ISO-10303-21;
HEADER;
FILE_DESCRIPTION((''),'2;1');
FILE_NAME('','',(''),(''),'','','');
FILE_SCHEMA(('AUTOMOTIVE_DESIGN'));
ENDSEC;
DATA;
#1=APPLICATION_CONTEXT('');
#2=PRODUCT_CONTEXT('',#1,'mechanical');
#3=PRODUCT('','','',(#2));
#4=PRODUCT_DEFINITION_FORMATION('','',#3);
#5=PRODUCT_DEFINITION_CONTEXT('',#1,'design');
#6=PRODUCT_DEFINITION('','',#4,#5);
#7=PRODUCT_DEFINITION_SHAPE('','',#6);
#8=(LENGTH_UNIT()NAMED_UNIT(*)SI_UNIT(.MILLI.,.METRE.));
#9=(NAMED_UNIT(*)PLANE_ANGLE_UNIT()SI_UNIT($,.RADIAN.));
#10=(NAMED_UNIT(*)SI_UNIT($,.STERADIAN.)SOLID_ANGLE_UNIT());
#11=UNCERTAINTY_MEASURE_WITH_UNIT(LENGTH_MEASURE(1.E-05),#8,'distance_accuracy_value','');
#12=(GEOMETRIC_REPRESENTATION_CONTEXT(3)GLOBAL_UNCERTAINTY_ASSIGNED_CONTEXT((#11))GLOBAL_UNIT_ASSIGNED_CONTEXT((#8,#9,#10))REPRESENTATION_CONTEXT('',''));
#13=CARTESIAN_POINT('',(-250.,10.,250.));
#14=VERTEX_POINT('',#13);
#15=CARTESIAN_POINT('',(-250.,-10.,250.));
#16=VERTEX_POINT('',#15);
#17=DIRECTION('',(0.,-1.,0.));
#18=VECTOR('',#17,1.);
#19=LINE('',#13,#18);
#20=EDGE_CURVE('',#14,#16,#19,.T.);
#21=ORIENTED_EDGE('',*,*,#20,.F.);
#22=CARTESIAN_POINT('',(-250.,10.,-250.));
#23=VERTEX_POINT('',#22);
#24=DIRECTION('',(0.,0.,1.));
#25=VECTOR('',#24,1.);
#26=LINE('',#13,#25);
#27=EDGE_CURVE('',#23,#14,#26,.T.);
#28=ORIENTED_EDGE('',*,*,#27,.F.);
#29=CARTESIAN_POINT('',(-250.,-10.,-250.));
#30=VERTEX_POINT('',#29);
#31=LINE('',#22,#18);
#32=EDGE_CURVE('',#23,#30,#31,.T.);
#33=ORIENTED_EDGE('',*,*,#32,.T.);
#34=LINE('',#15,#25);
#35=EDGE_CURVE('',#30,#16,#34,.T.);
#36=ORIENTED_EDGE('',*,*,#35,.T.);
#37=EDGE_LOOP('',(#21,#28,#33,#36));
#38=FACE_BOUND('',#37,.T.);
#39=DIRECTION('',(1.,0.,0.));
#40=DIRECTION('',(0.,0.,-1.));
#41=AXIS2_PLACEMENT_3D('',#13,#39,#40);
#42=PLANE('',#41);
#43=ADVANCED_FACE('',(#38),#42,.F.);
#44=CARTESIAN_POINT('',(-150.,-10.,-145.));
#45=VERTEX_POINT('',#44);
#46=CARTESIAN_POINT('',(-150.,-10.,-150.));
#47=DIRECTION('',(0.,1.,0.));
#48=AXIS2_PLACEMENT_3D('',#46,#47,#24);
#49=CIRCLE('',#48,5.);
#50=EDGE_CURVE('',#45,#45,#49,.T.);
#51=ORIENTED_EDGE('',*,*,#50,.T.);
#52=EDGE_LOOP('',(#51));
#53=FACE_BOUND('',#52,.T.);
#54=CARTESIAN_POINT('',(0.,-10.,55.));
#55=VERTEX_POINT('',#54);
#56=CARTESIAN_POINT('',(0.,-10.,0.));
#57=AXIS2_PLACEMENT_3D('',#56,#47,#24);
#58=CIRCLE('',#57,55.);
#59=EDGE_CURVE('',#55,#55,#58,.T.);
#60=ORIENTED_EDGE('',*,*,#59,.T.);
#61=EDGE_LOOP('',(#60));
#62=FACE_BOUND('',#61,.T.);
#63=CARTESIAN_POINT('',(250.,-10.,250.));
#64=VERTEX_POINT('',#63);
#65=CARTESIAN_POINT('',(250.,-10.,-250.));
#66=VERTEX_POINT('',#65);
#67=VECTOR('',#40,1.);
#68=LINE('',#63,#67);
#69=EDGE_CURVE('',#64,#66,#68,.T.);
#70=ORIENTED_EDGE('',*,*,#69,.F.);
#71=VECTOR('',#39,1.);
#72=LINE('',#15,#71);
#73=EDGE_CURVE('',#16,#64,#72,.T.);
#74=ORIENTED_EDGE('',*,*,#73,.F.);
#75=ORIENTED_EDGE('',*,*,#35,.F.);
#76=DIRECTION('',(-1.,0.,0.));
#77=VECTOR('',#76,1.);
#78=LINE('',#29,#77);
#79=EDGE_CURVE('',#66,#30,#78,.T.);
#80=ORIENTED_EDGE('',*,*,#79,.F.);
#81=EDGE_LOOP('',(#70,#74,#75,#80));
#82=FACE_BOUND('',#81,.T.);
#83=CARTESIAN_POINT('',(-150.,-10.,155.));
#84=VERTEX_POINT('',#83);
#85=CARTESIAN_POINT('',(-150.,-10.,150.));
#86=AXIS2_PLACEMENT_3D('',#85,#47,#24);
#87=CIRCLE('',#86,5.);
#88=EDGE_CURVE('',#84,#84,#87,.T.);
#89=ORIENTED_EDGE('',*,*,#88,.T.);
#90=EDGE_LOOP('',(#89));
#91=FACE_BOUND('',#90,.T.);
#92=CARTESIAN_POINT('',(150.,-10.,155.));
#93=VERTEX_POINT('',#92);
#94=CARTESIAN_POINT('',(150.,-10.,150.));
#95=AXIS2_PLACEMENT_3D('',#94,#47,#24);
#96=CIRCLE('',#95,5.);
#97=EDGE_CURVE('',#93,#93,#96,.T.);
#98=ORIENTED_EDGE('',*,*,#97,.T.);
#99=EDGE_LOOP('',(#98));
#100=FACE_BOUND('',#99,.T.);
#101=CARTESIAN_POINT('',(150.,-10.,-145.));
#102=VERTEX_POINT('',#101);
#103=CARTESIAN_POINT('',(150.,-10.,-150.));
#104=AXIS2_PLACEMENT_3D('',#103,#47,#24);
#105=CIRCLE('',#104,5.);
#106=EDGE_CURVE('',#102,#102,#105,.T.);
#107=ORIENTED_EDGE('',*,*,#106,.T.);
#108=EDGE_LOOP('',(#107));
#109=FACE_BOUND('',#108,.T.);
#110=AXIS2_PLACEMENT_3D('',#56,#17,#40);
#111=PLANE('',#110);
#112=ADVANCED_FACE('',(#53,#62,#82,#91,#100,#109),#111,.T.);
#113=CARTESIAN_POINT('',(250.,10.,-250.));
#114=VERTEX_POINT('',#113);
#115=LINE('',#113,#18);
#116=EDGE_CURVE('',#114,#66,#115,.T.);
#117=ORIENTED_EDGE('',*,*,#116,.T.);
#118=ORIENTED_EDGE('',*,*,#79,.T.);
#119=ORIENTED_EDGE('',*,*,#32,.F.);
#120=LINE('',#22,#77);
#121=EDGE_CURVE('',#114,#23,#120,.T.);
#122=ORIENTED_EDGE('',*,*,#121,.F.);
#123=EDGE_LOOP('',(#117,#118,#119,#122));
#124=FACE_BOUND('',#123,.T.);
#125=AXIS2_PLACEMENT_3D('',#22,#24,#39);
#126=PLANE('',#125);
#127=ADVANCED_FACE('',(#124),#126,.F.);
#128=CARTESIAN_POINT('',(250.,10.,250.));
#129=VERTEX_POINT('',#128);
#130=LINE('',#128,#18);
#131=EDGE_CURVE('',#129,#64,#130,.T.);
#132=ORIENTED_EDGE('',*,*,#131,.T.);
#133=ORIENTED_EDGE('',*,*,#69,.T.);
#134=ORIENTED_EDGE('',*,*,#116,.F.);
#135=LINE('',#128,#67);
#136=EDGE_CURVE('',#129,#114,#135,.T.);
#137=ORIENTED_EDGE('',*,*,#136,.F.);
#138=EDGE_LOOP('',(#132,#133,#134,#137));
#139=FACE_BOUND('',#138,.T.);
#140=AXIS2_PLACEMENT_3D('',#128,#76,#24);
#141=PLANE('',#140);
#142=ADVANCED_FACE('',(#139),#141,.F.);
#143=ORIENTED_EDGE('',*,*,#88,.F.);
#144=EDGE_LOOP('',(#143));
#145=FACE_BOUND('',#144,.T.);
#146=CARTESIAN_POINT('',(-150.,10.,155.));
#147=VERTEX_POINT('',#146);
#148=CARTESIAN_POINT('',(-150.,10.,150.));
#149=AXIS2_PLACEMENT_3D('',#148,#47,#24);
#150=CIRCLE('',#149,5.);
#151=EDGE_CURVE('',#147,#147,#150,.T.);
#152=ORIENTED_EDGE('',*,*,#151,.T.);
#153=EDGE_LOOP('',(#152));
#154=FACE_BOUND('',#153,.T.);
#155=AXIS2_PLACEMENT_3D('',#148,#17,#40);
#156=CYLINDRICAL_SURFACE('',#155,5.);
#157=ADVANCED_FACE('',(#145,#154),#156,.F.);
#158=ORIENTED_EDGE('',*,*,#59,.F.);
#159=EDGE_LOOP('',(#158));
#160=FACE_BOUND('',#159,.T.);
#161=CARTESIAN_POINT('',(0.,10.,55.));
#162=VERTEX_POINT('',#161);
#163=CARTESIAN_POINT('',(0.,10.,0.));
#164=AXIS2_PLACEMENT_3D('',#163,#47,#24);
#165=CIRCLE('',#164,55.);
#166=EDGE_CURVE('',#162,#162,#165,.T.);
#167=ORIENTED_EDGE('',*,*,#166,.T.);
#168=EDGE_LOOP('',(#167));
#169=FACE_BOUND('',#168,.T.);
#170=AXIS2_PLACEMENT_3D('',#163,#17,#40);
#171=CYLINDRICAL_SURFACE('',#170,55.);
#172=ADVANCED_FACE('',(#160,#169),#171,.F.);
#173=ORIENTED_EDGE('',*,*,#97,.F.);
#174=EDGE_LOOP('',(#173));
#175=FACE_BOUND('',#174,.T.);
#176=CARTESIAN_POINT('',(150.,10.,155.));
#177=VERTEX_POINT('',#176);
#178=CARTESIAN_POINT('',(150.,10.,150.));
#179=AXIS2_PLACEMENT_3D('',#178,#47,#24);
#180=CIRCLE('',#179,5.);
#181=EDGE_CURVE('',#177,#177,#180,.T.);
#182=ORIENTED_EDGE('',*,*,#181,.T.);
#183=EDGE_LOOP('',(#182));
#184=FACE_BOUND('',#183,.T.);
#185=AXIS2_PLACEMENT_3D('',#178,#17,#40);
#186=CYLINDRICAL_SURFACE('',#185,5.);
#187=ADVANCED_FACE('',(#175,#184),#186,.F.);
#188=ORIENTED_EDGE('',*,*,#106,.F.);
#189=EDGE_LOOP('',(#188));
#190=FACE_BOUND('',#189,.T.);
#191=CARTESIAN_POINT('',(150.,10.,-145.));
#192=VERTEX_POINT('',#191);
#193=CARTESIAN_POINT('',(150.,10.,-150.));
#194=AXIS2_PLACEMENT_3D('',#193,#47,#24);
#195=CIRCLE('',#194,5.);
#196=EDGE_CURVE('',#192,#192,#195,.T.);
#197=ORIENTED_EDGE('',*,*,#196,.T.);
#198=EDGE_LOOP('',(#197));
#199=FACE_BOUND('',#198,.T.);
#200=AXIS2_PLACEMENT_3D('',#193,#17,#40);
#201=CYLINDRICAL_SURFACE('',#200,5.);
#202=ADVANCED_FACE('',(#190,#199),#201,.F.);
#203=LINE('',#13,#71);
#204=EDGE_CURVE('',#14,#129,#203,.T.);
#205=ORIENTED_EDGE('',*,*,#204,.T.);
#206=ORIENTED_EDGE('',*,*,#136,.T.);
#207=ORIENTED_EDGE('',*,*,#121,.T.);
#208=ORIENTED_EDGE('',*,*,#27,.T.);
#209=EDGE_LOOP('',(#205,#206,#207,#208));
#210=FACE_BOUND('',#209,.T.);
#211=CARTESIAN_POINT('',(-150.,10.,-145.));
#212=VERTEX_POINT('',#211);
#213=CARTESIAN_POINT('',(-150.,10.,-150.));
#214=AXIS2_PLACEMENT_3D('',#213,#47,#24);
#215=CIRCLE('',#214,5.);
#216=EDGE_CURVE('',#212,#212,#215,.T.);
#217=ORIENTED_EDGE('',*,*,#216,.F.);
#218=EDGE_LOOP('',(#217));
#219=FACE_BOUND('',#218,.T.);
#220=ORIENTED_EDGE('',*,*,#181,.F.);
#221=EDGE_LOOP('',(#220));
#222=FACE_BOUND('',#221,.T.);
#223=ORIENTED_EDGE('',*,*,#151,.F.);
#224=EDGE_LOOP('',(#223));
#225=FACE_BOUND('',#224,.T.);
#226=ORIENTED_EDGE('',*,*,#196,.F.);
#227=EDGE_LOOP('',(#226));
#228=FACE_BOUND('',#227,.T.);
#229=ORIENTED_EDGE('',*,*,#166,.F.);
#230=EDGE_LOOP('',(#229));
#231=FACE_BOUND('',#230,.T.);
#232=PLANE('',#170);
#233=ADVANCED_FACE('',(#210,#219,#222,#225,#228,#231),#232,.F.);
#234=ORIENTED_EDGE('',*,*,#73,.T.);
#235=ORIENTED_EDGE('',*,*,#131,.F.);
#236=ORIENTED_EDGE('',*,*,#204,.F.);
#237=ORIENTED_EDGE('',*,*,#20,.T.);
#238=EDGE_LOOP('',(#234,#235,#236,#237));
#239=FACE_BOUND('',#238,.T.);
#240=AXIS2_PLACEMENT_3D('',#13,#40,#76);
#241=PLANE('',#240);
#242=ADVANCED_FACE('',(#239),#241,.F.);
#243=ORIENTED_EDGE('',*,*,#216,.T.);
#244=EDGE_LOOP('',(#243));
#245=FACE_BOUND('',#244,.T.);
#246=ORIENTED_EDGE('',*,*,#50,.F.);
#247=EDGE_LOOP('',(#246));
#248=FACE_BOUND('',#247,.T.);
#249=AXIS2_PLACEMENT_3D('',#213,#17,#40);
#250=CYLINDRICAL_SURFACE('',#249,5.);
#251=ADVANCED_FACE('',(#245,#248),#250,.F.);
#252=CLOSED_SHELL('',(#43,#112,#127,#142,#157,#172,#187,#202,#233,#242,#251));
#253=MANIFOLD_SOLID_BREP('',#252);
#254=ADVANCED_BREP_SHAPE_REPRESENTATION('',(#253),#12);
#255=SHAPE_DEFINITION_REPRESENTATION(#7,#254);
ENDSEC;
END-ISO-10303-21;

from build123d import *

# Parameters (mm, degrees)
SKETCH1_W           = 500
SKETCH1_H           = 500
SKETCH1_R           = 55
SKETCH1_R_2         = 5
BOSS_EXTRUDE1_DEPTH = 10


with BuildPart() as part:
    # Sketch1 → Boss-Extrude1 (new, symmetric)
    with BuildSketch(Plane(origin=(0, 0, 0), x_dir=(1, 0, 0), z_dir=(0, 1, 0))):
        Rectangle(SKETCH1_W, SKETCH1_H)
        with Locations(Location((0, 0, 0), (0, 0, 270))):
            Circle(SKETCH1_R, mode=Mode.SUBTRACT)
        with Locations(Location((-150, 150, 0), (0, 0, 270))):
            Circle(SKETCH1_R_2, mode=Mode.SUBTRACT)
        with Locations(Location((150, 150, 0), (0, 0, 270))):
            Circle(SKETCH1_R_2, mode=Mode.SUBTRACT)
        with Locations(Location((-150, -150, 0), (0, 0, 270))):
            Circle(SKETCH1_R_2, mode=Mode.SUBTRACT)
        with Locations(Location((150, -150, 0), (0, 0, 270))):
            Circle(SKETCH1_R_2, mode=Mode.SUBTRACT)
    extrude(amount=BOSS_EXTRUDE1_DEPTH, both=True)


solid = part.part
